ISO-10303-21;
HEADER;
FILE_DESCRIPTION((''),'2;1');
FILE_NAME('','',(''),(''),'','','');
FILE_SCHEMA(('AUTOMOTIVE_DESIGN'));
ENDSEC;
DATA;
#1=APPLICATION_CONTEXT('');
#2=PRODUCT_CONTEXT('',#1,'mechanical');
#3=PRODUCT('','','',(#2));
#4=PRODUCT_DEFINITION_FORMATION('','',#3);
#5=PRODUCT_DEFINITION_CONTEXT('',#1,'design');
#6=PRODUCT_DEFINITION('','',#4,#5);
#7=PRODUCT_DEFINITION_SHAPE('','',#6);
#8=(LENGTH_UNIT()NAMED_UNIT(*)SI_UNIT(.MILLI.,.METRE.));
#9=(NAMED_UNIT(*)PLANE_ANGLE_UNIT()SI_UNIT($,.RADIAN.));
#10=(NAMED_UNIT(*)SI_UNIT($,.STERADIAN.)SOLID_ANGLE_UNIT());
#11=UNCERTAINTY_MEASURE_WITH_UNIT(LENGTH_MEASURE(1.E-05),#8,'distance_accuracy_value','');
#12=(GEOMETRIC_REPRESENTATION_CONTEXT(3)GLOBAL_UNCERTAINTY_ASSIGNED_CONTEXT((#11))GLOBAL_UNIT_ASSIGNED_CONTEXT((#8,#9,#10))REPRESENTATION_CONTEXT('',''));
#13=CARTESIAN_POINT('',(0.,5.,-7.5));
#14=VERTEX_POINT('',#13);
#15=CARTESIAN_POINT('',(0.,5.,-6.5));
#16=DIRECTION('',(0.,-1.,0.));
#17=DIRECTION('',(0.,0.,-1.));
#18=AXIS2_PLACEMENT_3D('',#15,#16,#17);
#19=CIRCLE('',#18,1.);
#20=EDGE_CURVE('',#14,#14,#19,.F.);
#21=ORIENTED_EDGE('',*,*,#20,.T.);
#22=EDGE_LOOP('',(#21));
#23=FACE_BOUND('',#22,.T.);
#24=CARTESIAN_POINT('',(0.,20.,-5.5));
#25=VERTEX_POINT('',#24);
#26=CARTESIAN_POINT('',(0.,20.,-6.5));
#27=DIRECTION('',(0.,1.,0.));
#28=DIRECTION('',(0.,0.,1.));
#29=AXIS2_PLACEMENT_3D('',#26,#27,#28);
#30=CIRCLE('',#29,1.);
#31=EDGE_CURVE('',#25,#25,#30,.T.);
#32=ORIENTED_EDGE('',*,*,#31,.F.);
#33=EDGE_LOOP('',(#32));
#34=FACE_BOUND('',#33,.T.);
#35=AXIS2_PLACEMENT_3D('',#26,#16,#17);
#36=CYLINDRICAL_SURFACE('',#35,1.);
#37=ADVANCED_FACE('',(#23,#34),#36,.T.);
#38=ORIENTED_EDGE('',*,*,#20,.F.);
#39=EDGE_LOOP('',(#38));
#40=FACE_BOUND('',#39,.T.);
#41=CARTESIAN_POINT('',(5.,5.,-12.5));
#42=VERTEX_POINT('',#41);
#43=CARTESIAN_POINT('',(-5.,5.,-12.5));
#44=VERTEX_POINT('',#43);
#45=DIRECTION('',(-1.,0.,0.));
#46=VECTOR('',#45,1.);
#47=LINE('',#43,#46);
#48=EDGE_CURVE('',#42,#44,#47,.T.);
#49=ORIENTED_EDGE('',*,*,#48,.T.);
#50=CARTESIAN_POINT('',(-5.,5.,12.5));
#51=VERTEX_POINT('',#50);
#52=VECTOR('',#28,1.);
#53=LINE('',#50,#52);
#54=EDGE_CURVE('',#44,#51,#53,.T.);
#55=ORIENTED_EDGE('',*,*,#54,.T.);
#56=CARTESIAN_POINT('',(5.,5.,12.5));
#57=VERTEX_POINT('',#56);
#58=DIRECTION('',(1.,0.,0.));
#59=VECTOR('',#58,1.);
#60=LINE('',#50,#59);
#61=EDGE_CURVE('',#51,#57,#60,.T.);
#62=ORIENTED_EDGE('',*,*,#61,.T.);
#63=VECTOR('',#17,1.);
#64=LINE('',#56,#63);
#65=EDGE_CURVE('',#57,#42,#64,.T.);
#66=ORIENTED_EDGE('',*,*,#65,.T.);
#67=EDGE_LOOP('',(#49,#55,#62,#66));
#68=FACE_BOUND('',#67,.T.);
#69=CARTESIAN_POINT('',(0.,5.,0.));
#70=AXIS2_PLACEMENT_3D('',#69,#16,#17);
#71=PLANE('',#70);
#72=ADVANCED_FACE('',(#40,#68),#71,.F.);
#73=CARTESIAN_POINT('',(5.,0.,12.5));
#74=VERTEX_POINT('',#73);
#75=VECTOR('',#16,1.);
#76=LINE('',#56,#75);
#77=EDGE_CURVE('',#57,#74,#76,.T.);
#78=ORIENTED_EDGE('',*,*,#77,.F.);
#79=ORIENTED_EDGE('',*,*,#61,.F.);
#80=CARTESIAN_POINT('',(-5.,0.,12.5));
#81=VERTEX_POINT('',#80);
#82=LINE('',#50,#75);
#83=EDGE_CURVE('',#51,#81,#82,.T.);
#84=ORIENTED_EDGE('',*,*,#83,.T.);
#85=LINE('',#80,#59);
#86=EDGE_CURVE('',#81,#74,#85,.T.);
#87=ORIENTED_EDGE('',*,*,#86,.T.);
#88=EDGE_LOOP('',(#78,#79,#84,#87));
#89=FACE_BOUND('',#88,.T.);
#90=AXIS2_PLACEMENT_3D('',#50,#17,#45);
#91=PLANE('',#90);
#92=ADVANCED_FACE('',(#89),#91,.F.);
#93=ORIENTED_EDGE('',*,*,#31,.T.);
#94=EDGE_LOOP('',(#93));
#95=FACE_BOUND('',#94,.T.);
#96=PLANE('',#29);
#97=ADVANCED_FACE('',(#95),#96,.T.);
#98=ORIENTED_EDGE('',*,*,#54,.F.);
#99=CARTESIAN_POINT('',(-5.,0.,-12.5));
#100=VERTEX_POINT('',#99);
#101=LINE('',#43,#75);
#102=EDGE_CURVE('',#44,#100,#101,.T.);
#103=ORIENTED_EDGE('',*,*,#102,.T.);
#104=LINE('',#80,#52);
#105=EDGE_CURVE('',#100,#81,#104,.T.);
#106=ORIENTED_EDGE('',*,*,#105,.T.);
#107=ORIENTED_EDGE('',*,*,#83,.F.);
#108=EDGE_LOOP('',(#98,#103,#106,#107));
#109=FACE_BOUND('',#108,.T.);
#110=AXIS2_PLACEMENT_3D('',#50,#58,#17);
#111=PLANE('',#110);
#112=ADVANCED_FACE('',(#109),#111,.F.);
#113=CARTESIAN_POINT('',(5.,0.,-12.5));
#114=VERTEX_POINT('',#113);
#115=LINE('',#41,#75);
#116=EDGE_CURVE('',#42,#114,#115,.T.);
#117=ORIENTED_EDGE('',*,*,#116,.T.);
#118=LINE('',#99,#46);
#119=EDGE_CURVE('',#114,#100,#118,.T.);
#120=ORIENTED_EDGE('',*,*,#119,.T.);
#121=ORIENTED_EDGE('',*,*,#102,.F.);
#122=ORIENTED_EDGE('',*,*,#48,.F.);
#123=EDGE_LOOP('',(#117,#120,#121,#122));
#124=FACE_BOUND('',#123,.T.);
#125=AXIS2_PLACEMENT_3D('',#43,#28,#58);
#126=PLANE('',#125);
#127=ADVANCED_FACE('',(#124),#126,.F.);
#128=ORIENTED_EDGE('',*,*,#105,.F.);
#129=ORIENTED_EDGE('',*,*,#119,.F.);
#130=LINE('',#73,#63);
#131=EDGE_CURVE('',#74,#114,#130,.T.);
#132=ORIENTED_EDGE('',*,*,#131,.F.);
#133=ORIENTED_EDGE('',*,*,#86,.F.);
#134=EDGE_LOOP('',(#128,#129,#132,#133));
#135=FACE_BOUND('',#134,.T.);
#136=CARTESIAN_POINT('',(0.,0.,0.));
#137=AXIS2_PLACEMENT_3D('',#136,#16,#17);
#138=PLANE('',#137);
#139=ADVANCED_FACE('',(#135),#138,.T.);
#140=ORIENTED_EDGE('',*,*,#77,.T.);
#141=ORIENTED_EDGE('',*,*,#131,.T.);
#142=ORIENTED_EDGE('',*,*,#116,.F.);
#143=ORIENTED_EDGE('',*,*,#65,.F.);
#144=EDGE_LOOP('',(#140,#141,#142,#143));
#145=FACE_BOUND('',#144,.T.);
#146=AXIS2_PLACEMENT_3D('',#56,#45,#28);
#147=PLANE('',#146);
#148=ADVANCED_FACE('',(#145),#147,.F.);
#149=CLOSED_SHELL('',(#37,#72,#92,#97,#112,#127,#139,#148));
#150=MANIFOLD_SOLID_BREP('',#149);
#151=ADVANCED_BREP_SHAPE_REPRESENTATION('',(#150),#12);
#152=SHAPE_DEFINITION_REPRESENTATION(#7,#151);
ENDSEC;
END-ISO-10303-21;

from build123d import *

# Parameters (mm, degrees)
CROQUIS1_W              = 10
CROQUIS1_H              = 25
SALIENTE_EXTRUIR1_DEPTH = 5
CROQUIS2_R              = 1
SALIENTE_EXTRUIR2_DEPTH = 15


with BuildPart() as part:
    # Croquis1 → Saliente-Extruir1 (new body)
    with BuildSketch(Plane(origin=(0, 0, 0), x_dir=(1, 0, 0), z_dir=(0, 1, 0))):
        Rectangle(CROQUIS1_W, CROQUIS1_H)
    extrude(amount=SALIENTE_EXTRUIR1_DEPTH)

    # Croquis2 → Saliente-Extruir2 (add)
    with BuildSketch(Plane(origin=(0, 5, 0), x_dir=(1, 0, 0), z_dir=(0, 1, 0))):
        with Locations((0, 6.5)):
            Circle(CROQUIS2_R)
    extrude(amount=SALIENTE_EXTRUIR2_DEPTH)


solid = part.part
